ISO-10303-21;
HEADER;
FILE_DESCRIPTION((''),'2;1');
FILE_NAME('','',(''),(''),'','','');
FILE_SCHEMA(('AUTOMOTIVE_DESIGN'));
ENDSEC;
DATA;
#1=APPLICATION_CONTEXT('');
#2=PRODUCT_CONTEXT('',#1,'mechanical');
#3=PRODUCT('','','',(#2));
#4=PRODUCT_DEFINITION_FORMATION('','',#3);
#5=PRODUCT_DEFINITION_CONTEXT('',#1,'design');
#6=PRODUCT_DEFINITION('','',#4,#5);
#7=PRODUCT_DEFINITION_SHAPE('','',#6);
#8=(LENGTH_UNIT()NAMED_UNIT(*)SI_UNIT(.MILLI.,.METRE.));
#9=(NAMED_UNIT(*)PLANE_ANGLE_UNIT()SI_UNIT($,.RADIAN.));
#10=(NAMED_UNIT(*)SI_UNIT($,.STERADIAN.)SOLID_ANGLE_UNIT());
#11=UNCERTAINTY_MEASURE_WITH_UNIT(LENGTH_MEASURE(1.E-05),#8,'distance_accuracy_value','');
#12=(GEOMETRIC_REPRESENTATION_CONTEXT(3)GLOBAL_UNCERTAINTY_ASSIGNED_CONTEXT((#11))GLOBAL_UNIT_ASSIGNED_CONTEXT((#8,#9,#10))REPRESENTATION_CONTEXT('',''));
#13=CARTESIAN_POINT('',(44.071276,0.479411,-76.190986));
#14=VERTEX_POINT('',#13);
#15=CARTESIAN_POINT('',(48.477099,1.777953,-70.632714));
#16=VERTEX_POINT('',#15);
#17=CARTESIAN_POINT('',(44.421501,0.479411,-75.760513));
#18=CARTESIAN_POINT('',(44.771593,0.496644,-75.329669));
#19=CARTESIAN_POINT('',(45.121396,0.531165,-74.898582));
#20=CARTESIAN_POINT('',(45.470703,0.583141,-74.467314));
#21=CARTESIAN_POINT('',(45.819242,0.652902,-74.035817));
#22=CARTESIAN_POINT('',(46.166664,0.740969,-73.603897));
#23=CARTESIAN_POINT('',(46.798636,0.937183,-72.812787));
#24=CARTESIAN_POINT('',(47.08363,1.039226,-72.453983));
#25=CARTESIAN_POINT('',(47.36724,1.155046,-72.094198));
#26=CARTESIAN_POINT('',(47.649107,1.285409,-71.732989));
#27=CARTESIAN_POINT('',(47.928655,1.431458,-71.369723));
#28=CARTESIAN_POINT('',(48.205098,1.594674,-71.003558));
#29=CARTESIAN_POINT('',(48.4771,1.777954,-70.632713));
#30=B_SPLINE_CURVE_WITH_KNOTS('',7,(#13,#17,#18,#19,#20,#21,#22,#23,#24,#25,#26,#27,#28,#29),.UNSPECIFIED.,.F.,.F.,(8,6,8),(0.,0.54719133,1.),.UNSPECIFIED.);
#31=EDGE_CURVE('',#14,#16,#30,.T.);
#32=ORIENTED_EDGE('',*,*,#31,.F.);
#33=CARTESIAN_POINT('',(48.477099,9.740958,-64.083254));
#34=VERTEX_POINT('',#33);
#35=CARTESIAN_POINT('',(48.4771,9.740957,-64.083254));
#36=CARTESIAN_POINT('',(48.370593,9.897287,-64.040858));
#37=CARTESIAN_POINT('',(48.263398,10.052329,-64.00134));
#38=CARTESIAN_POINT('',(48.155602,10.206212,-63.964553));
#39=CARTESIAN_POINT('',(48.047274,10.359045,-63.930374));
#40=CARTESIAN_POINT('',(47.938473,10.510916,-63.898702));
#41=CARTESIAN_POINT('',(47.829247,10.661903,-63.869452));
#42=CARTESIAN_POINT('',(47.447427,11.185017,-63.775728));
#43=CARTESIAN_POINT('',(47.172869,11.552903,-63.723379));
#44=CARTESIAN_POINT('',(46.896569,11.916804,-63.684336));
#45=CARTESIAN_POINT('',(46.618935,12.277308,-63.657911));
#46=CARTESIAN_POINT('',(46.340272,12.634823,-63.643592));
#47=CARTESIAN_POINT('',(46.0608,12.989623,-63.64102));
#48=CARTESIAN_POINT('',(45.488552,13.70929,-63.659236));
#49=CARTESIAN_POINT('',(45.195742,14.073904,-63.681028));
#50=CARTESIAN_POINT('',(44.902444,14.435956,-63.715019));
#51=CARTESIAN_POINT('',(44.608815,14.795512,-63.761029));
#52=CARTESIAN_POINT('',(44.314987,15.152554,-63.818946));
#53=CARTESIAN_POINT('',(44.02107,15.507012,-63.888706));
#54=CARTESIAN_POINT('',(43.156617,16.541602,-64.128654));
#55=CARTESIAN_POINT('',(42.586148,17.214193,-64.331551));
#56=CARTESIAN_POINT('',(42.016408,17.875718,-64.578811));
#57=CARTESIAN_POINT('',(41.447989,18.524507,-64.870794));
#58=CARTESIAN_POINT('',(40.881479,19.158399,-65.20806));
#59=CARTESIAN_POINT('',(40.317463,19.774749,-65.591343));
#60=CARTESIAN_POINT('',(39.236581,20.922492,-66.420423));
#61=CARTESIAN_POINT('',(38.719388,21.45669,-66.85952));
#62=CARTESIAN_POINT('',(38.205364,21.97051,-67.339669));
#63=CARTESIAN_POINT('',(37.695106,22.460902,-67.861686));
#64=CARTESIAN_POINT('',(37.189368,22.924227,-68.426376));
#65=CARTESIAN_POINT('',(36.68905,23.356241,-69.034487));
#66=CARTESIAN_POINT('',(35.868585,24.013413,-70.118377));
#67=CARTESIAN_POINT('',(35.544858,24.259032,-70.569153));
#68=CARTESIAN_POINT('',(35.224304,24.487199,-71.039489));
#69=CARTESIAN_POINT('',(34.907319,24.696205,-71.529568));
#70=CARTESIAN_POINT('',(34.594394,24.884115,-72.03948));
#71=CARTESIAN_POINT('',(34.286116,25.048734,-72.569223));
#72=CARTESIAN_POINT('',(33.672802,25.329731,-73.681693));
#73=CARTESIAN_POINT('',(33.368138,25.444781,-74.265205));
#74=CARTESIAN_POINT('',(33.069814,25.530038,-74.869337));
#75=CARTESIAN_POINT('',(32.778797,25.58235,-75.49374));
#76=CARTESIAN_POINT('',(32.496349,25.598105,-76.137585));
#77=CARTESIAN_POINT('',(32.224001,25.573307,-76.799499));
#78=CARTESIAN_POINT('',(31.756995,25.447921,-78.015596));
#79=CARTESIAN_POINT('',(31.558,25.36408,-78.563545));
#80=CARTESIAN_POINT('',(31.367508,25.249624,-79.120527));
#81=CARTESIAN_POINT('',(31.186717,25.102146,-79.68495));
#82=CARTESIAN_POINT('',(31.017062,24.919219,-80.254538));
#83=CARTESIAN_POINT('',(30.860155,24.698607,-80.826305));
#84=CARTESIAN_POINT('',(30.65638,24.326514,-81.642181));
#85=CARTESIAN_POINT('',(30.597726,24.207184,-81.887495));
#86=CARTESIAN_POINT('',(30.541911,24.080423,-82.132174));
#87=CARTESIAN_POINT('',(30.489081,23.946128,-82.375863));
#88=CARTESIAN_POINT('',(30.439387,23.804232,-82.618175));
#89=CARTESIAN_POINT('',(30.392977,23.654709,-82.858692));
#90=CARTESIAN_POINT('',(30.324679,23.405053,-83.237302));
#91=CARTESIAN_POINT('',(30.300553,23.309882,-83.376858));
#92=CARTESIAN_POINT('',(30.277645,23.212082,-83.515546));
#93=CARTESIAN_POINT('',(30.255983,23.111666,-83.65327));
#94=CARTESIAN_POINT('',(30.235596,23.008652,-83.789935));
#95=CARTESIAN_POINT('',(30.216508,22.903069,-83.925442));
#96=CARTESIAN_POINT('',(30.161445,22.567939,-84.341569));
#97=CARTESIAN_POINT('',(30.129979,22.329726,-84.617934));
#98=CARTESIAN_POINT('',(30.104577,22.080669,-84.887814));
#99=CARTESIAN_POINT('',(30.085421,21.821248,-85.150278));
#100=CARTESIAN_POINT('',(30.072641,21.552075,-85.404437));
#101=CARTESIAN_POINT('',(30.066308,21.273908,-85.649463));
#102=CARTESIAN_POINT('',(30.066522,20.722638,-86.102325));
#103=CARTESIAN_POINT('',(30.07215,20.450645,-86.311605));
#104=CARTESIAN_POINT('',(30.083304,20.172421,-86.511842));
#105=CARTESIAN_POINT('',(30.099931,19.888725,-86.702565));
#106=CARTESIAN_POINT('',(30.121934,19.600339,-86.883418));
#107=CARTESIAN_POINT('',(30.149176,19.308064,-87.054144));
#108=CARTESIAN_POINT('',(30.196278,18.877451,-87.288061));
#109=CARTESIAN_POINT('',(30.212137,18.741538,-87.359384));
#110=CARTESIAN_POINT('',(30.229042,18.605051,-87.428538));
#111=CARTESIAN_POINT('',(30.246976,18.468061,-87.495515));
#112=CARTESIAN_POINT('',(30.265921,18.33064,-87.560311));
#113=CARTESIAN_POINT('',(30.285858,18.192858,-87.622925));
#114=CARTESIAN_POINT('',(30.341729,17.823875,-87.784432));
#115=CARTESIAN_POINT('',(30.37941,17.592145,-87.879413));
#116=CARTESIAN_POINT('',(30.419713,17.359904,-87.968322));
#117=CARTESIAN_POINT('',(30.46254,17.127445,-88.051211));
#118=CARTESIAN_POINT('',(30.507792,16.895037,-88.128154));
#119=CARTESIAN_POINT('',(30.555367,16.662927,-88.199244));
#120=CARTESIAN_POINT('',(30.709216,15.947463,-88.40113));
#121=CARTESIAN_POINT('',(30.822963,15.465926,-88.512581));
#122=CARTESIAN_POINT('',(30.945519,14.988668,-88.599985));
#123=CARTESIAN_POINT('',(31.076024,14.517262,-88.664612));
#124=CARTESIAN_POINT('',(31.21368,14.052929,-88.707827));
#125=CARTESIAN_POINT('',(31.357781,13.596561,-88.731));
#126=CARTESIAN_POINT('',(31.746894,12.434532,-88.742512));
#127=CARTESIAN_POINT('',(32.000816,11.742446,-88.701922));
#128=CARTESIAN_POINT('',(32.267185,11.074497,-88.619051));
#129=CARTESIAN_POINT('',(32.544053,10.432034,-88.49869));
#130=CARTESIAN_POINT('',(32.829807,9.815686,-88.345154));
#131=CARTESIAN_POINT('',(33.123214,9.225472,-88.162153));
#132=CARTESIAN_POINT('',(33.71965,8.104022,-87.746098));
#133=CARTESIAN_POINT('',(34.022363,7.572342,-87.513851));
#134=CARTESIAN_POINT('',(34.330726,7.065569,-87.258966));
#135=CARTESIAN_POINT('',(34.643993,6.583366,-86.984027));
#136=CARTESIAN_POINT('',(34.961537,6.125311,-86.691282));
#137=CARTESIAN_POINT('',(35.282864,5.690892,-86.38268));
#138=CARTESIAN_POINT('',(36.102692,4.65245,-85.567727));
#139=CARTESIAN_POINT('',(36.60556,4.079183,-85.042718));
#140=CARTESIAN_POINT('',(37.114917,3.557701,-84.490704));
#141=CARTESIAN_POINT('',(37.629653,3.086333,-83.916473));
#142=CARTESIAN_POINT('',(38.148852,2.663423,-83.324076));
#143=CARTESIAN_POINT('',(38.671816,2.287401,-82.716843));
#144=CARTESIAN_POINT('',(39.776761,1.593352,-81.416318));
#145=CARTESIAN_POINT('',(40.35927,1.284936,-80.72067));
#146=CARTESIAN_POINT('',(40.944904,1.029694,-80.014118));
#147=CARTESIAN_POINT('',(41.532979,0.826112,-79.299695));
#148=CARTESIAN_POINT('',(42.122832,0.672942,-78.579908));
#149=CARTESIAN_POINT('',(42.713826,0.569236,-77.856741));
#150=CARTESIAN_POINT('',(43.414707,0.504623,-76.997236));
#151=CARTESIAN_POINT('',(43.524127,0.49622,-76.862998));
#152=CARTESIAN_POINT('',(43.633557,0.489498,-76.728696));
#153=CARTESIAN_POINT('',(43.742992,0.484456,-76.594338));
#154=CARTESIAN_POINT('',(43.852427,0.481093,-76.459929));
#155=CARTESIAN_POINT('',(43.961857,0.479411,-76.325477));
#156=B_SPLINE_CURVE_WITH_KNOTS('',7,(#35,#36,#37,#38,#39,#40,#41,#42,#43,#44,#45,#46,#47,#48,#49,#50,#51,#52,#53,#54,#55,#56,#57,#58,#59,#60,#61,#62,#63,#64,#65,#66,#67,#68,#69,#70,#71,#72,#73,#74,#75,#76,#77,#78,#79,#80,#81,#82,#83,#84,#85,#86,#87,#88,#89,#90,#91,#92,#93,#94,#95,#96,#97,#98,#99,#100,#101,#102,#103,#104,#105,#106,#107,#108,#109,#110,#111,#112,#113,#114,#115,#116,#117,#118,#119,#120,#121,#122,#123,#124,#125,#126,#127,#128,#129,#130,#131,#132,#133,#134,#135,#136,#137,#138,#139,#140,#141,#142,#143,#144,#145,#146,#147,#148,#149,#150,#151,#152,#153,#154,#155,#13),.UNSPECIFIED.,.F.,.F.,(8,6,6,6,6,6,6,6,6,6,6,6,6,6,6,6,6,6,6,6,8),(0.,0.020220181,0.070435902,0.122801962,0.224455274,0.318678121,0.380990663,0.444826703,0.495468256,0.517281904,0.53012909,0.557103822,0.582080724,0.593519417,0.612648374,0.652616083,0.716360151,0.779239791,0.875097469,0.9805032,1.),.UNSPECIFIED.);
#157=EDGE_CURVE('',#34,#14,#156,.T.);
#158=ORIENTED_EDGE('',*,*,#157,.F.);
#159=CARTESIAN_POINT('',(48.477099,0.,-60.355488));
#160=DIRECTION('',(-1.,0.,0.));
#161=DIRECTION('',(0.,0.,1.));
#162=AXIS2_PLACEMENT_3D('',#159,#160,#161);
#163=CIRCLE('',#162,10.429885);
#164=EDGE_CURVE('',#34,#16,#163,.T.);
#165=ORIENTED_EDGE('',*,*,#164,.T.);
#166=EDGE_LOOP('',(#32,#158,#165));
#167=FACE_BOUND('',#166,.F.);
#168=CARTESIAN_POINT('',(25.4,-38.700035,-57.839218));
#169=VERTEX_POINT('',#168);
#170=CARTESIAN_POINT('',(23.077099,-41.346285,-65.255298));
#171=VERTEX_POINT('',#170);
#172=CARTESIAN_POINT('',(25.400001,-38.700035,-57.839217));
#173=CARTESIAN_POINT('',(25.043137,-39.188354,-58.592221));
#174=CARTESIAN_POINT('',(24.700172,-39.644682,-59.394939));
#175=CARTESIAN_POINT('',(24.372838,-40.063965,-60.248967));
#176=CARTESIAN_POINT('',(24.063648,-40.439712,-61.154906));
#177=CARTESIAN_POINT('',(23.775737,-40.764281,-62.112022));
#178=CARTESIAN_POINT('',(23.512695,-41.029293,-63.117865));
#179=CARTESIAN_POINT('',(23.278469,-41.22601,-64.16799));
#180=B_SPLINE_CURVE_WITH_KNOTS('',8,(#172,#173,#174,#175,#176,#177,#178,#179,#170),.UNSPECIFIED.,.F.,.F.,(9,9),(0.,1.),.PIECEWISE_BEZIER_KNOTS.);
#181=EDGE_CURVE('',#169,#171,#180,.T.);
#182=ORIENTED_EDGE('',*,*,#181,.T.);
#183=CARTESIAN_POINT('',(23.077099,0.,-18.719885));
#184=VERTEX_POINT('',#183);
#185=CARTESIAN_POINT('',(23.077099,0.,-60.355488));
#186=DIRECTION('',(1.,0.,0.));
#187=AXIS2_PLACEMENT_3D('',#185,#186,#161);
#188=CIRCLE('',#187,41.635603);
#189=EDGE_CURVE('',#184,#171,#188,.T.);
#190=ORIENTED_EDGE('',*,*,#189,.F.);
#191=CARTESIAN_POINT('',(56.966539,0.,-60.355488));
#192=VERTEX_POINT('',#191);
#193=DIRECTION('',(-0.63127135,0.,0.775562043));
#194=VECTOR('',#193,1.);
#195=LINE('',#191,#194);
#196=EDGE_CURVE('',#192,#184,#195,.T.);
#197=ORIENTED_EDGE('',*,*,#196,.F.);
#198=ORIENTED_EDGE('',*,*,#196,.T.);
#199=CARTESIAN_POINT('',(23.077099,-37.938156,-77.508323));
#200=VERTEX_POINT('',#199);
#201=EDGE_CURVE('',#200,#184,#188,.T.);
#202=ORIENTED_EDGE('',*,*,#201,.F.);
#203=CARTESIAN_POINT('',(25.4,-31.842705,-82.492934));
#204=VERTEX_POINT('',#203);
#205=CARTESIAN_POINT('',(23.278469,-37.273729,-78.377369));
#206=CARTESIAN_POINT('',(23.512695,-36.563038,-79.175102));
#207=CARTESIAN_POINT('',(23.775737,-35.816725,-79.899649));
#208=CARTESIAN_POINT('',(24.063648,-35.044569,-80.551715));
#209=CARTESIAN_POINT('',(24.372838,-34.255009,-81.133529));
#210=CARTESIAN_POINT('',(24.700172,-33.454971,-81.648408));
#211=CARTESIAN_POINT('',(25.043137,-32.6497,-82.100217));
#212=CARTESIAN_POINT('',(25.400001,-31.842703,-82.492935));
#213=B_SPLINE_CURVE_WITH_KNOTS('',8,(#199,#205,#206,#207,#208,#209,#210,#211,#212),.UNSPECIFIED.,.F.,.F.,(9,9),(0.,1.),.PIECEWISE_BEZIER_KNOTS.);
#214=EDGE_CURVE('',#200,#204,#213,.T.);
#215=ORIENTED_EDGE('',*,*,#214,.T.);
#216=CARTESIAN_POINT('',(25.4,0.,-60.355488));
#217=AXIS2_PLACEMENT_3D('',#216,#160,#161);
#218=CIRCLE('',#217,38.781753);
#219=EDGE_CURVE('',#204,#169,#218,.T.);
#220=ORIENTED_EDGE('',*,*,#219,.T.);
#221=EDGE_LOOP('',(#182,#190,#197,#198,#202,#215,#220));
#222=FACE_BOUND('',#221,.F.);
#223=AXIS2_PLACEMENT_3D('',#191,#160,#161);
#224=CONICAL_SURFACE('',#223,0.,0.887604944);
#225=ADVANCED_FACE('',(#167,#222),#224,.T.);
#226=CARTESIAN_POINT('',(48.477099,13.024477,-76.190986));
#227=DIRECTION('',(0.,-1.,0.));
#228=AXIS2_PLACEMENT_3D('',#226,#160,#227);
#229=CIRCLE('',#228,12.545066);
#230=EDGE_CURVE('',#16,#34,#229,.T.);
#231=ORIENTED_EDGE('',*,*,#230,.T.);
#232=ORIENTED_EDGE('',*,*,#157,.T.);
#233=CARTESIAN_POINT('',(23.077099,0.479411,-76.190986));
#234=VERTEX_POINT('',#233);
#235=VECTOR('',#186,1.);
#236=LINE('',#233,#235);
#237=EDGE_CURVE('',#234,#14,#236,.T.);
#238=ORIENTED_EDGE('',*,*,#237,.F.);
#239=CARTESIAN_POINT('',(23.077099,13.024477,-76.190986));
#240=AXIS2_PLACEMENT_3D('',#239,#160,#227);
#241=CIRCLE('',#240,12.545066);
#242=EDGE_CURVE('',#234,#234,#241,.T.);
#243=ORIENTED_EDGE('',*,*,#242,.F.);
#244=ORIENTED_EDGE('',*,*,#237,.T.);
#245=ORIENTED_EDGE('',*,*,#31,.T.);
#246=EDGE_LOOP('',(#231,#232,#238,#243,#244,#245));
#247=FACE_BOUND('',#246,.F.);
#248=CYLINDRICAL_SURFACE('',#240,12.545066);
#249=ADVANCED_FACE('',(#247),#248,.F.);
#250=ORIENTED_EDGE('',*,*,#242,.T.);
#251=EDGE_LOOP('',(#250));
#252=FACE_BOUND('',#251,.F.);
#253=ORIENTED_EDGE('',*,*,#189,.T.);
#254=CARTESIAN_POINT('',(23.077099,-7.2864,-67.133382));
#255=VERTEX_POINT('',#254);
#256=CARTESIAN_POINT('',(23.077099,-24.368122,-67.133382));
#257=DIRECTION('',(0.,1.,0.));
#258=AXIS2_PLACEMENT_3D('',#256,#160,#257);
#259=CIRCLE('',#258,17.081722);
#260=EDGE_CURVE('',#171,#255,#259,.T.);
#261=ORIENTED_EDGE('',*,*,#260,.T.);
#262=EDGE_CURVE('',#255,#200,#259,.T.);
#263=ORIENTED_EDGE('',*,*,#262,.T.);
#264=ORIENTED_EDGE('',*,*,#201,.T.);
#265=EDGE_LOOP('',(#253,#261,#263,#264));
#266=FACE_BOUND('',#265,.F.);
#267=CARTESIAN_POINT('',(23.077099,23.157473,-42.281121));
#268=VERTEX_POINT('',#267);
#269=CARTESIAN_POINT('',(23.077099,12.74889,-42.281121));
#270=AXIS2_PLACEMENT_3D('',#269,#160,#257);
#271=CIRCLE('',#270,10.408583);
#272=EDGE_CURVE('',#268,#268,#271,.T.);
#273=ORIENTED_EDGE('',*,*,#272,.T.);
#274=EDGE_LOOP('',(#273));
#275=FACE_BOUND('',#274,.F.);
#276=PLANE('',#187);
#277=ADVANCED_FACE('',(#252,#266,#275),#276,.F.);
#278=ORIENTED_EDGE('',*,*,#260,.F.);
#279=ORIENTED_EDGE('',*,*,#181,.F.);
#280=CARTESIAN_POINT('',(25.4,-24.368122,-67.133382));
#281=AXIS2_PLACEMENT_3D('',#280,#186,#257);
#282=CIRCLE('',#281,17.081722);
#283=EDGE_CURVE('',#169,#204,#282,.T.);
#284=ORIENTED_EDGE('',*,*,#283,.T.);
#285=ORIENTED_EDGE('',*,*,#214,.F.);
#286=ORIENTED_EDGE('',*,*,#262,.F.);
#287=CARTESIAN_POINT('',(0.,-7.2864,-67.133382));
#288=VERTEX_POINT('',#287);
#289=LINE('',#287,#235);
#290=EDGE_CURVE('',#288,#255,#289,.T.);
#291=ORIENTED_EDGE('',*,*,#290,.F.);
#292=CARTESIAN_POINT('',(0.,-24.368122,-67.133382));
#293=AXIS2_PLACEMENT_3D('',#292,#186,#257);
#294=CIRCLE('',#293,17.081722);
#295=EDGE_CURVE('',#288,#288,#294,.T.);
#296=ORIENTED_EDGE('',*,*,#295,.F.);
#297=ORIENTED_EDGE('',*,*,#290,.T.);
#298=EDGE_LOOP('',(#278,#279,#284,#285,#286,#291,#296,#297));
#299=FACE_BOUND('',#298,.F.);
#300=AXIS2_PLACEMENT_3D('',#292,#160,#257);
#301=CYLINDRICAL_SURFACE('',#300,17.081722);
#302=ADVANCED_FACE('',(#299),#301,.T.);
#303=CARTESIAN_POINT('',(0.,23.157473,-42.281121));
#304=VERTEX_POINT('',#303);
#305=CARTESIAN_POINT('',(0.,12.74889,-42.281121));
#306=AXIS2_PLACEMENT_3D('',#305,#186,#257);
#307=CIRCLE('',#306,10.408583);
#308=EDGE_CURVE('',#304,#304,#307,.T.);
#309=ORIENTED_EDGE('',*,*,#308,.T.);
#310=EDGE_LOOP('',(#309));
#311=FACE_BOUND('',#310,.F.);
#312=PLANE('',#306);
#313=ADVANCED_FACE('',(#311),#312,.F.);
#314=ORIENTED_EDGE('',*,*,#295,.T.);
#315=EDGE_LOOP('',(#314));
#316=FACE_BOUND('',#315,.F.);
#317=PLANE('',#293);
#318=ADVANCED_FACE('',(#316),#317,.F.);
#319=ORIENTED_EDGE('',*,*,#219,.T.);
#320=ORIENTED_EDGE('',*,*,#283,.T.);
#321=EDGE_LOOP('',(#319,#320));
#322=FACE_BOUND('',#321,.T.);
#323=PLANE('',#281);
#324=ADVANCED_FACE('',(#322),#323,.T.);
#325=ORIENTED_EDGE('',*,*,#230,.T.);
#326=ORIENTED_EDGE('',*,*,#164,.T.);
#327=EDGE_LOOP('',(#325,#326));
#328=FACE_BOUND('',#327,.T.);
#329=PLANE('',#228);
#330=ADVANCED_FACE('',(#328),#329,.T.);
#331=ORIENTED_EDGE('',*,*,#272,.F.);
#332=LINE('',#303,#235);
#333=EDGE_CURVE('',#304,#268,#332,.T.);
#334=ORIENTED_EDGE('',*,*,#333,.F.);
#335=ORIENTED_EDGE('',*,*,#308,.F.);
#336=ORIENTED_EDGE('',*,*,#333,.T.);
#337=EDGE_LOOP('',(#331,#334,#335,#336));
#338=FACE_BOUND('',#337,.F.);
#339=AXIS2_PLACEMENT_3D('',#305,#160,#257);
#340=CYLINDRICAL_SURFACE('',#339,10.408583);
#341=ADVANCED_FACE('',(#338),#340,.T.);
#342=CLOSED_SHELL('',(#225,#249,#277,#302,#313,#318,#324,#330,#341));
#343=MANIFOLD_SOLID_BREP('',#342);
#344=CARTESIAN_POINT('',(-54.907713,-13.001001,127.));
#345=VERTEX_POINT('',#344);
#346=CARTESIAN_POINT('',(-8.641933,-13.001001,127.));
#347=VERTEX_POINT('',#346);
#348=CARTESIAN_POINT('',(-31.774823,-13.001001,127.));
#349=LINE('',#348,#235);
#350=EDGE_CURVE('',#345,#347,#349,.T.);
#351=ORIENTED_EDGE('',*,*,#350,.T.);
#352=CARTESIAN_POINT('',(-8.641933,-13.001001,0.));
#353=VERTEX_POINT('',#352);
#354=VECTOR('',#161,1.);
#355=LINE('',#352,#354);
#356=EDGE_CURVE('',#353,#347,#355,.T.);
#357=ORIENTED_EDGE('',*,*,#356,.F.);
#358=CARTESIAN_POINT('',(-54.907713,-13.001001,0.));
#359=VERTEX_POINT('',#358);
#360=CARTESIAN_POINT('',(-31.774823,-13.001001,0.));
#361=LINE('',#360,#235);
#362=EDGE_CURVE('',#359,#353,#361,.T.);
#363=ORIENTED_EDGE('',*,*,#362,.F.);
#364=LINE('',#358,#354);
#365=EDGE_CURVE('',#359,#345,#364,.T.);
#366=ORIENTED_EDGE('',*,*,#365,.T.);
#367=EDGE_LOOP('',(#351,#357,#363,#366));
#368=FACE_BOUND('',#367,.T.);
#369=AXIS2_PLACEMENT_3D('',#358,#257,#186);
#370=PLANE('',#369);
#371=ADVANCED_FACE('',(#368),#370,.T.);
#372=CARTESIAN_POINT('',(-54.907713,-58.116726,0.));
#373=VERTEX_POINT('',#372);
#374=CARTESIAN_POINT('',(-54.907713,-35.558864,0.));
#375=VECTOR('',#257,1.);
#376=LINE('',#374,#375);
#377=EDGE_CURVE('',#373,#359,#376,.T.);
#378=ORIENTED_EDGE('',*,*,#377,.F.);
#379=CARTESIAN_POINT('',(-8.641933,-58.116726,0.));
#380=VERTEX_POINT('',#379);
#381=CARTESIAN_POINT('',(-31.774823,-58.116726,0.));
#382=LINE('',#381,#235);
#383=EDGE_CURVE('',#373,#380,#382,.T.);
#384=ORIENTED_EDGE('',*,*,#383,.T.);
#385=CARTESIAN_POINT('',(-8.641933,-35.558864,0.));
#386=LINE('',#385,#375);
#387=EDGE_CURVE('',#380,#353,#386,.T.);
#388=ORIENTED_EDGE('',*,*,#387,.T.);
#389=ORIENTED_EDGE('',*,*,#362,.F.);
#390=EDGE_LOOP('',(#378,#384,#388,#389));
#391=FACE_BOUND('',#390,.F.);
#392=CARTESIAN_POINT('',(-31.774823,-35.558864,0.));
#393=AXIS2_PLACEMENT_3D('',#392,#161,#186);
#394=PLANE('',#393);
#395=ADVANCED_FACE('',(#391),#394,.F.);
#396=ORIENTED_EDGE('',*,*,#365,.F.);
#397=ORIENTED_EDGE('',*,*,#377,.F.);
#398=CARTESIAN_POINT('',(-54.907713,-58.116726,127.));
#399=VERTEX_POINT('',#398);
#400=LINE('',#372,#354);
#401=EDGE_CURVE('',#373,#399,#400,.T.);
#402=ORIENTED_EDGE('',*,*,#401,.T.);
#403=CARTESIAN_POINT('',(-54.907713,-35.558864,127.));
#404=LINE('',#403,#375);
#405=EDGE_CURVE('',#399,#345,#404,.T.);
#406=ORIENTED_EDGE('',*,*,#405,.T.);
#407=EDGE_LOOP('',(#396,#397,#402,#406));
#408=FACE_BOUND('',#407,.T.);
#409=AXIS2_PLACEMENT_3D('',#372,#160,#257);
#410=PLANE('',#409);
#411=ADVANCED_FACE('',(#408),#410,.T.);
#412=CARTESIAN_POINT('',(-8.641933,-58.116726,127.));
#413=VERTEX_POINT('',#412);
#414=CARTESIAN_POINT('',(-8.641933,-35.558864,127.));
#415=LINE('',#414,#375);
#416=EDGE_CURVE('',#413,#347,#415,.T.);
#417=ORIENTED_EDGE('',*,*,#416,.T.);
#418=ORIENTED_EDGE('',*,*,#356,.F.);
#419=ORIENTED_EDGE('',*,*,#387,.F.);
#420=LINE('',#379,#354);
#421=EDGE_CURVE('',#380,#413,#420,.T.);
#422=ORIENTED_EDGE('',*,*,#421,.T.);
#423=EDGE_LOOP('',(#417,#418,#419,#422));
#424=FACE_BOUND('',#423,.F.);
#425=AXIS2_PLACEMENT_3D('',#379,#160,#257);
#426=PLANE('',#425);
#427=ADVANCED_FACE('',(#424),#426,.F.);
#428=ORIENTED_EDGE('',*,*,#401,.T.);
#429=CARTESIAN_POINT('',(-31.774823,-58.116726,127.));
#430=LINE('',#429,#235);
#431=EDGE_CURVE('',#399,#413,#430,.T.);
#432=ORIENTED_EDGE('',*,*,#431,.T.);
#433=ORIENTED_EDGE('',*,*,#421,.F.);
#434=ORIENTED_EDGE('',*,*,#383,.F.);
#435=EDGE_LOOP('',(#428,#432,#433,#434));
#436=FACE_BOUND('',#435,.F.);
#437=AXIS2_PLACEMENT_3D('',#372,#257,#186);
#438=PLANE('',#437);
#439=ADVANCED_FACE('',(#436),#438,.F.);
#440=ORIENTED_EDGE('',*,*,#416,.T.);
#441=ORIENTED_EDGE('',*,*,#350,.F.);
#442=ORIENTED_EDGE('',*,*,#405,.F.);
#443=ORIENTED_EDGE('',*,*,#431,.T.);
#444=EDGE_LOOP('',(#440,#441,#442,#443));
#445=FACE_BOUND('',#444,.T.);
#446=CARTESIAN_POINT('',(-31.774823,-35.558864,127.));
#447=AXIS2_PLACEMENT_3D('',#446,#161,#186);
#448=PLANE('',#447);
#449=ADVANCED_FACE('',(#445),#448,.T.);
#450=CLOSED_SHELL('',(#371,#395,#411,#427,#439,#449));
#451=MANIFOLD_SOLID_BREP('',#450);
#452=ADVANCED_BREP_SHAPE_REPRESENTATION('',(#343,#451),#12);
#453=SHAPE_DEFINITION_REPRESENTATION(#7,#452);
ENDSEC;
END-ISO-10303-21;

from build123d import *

# Parameters (mm, degrees)
F0_W     = 46.26578
F0_H     = 45.115725
F1_DEPTH = 127
F4_R     = 10.408583
F4_R_2   = 17.081722
F5_DEPTH = 25.4
F6_R     = 12.545066
F7_DEPTH = 25.4


with BuildPart() as f1:
    # F0 (on Top) → F1 (new body)
    with BuildSketch(Plane.XY):
        with Locations((-31.774823, -35.558864)):
            Rectangle(F0_W, F0_H)
    extrude(amount=F1_DEPTH)


with BuildPart() as f3:
    # F2 (on Front) → F3 (revolve)
    with BuildSketch(Plane.XZ):
        Polygon((56.966539, -60.355488), (23.077099, -18.719885), (23.077099, -60.355488), align=None)
    revolve(axis=Axis((40.021819, 0, -60.355488), (1, 0, 0)))

    # F4 (on Right) → F5 (join)
    with BuildSketch(Plane.YZ):
        with Locations((12.74889, -42.281121)):
            Circle(F4_R)
        with Locations((-24.368122, -67.133382)):
            Circle(F4_R_2)
    extrude(amount=F5_DEPTH)

    # F6 (on face) → F7 (cut)
    with BuildSketch(Plane(origin=(23.077099, 0, 0), x_dir=(0, -1, 0), z_dir=(-1, 0, 0))):
        with Locations((-13.024477, -76.190986)):
            Circle(F6_R)
    extrude(amount=-F7_DEPTH, mode=Mode.SUBTRACT)


solid = Compound([f1.part, f3.part])
